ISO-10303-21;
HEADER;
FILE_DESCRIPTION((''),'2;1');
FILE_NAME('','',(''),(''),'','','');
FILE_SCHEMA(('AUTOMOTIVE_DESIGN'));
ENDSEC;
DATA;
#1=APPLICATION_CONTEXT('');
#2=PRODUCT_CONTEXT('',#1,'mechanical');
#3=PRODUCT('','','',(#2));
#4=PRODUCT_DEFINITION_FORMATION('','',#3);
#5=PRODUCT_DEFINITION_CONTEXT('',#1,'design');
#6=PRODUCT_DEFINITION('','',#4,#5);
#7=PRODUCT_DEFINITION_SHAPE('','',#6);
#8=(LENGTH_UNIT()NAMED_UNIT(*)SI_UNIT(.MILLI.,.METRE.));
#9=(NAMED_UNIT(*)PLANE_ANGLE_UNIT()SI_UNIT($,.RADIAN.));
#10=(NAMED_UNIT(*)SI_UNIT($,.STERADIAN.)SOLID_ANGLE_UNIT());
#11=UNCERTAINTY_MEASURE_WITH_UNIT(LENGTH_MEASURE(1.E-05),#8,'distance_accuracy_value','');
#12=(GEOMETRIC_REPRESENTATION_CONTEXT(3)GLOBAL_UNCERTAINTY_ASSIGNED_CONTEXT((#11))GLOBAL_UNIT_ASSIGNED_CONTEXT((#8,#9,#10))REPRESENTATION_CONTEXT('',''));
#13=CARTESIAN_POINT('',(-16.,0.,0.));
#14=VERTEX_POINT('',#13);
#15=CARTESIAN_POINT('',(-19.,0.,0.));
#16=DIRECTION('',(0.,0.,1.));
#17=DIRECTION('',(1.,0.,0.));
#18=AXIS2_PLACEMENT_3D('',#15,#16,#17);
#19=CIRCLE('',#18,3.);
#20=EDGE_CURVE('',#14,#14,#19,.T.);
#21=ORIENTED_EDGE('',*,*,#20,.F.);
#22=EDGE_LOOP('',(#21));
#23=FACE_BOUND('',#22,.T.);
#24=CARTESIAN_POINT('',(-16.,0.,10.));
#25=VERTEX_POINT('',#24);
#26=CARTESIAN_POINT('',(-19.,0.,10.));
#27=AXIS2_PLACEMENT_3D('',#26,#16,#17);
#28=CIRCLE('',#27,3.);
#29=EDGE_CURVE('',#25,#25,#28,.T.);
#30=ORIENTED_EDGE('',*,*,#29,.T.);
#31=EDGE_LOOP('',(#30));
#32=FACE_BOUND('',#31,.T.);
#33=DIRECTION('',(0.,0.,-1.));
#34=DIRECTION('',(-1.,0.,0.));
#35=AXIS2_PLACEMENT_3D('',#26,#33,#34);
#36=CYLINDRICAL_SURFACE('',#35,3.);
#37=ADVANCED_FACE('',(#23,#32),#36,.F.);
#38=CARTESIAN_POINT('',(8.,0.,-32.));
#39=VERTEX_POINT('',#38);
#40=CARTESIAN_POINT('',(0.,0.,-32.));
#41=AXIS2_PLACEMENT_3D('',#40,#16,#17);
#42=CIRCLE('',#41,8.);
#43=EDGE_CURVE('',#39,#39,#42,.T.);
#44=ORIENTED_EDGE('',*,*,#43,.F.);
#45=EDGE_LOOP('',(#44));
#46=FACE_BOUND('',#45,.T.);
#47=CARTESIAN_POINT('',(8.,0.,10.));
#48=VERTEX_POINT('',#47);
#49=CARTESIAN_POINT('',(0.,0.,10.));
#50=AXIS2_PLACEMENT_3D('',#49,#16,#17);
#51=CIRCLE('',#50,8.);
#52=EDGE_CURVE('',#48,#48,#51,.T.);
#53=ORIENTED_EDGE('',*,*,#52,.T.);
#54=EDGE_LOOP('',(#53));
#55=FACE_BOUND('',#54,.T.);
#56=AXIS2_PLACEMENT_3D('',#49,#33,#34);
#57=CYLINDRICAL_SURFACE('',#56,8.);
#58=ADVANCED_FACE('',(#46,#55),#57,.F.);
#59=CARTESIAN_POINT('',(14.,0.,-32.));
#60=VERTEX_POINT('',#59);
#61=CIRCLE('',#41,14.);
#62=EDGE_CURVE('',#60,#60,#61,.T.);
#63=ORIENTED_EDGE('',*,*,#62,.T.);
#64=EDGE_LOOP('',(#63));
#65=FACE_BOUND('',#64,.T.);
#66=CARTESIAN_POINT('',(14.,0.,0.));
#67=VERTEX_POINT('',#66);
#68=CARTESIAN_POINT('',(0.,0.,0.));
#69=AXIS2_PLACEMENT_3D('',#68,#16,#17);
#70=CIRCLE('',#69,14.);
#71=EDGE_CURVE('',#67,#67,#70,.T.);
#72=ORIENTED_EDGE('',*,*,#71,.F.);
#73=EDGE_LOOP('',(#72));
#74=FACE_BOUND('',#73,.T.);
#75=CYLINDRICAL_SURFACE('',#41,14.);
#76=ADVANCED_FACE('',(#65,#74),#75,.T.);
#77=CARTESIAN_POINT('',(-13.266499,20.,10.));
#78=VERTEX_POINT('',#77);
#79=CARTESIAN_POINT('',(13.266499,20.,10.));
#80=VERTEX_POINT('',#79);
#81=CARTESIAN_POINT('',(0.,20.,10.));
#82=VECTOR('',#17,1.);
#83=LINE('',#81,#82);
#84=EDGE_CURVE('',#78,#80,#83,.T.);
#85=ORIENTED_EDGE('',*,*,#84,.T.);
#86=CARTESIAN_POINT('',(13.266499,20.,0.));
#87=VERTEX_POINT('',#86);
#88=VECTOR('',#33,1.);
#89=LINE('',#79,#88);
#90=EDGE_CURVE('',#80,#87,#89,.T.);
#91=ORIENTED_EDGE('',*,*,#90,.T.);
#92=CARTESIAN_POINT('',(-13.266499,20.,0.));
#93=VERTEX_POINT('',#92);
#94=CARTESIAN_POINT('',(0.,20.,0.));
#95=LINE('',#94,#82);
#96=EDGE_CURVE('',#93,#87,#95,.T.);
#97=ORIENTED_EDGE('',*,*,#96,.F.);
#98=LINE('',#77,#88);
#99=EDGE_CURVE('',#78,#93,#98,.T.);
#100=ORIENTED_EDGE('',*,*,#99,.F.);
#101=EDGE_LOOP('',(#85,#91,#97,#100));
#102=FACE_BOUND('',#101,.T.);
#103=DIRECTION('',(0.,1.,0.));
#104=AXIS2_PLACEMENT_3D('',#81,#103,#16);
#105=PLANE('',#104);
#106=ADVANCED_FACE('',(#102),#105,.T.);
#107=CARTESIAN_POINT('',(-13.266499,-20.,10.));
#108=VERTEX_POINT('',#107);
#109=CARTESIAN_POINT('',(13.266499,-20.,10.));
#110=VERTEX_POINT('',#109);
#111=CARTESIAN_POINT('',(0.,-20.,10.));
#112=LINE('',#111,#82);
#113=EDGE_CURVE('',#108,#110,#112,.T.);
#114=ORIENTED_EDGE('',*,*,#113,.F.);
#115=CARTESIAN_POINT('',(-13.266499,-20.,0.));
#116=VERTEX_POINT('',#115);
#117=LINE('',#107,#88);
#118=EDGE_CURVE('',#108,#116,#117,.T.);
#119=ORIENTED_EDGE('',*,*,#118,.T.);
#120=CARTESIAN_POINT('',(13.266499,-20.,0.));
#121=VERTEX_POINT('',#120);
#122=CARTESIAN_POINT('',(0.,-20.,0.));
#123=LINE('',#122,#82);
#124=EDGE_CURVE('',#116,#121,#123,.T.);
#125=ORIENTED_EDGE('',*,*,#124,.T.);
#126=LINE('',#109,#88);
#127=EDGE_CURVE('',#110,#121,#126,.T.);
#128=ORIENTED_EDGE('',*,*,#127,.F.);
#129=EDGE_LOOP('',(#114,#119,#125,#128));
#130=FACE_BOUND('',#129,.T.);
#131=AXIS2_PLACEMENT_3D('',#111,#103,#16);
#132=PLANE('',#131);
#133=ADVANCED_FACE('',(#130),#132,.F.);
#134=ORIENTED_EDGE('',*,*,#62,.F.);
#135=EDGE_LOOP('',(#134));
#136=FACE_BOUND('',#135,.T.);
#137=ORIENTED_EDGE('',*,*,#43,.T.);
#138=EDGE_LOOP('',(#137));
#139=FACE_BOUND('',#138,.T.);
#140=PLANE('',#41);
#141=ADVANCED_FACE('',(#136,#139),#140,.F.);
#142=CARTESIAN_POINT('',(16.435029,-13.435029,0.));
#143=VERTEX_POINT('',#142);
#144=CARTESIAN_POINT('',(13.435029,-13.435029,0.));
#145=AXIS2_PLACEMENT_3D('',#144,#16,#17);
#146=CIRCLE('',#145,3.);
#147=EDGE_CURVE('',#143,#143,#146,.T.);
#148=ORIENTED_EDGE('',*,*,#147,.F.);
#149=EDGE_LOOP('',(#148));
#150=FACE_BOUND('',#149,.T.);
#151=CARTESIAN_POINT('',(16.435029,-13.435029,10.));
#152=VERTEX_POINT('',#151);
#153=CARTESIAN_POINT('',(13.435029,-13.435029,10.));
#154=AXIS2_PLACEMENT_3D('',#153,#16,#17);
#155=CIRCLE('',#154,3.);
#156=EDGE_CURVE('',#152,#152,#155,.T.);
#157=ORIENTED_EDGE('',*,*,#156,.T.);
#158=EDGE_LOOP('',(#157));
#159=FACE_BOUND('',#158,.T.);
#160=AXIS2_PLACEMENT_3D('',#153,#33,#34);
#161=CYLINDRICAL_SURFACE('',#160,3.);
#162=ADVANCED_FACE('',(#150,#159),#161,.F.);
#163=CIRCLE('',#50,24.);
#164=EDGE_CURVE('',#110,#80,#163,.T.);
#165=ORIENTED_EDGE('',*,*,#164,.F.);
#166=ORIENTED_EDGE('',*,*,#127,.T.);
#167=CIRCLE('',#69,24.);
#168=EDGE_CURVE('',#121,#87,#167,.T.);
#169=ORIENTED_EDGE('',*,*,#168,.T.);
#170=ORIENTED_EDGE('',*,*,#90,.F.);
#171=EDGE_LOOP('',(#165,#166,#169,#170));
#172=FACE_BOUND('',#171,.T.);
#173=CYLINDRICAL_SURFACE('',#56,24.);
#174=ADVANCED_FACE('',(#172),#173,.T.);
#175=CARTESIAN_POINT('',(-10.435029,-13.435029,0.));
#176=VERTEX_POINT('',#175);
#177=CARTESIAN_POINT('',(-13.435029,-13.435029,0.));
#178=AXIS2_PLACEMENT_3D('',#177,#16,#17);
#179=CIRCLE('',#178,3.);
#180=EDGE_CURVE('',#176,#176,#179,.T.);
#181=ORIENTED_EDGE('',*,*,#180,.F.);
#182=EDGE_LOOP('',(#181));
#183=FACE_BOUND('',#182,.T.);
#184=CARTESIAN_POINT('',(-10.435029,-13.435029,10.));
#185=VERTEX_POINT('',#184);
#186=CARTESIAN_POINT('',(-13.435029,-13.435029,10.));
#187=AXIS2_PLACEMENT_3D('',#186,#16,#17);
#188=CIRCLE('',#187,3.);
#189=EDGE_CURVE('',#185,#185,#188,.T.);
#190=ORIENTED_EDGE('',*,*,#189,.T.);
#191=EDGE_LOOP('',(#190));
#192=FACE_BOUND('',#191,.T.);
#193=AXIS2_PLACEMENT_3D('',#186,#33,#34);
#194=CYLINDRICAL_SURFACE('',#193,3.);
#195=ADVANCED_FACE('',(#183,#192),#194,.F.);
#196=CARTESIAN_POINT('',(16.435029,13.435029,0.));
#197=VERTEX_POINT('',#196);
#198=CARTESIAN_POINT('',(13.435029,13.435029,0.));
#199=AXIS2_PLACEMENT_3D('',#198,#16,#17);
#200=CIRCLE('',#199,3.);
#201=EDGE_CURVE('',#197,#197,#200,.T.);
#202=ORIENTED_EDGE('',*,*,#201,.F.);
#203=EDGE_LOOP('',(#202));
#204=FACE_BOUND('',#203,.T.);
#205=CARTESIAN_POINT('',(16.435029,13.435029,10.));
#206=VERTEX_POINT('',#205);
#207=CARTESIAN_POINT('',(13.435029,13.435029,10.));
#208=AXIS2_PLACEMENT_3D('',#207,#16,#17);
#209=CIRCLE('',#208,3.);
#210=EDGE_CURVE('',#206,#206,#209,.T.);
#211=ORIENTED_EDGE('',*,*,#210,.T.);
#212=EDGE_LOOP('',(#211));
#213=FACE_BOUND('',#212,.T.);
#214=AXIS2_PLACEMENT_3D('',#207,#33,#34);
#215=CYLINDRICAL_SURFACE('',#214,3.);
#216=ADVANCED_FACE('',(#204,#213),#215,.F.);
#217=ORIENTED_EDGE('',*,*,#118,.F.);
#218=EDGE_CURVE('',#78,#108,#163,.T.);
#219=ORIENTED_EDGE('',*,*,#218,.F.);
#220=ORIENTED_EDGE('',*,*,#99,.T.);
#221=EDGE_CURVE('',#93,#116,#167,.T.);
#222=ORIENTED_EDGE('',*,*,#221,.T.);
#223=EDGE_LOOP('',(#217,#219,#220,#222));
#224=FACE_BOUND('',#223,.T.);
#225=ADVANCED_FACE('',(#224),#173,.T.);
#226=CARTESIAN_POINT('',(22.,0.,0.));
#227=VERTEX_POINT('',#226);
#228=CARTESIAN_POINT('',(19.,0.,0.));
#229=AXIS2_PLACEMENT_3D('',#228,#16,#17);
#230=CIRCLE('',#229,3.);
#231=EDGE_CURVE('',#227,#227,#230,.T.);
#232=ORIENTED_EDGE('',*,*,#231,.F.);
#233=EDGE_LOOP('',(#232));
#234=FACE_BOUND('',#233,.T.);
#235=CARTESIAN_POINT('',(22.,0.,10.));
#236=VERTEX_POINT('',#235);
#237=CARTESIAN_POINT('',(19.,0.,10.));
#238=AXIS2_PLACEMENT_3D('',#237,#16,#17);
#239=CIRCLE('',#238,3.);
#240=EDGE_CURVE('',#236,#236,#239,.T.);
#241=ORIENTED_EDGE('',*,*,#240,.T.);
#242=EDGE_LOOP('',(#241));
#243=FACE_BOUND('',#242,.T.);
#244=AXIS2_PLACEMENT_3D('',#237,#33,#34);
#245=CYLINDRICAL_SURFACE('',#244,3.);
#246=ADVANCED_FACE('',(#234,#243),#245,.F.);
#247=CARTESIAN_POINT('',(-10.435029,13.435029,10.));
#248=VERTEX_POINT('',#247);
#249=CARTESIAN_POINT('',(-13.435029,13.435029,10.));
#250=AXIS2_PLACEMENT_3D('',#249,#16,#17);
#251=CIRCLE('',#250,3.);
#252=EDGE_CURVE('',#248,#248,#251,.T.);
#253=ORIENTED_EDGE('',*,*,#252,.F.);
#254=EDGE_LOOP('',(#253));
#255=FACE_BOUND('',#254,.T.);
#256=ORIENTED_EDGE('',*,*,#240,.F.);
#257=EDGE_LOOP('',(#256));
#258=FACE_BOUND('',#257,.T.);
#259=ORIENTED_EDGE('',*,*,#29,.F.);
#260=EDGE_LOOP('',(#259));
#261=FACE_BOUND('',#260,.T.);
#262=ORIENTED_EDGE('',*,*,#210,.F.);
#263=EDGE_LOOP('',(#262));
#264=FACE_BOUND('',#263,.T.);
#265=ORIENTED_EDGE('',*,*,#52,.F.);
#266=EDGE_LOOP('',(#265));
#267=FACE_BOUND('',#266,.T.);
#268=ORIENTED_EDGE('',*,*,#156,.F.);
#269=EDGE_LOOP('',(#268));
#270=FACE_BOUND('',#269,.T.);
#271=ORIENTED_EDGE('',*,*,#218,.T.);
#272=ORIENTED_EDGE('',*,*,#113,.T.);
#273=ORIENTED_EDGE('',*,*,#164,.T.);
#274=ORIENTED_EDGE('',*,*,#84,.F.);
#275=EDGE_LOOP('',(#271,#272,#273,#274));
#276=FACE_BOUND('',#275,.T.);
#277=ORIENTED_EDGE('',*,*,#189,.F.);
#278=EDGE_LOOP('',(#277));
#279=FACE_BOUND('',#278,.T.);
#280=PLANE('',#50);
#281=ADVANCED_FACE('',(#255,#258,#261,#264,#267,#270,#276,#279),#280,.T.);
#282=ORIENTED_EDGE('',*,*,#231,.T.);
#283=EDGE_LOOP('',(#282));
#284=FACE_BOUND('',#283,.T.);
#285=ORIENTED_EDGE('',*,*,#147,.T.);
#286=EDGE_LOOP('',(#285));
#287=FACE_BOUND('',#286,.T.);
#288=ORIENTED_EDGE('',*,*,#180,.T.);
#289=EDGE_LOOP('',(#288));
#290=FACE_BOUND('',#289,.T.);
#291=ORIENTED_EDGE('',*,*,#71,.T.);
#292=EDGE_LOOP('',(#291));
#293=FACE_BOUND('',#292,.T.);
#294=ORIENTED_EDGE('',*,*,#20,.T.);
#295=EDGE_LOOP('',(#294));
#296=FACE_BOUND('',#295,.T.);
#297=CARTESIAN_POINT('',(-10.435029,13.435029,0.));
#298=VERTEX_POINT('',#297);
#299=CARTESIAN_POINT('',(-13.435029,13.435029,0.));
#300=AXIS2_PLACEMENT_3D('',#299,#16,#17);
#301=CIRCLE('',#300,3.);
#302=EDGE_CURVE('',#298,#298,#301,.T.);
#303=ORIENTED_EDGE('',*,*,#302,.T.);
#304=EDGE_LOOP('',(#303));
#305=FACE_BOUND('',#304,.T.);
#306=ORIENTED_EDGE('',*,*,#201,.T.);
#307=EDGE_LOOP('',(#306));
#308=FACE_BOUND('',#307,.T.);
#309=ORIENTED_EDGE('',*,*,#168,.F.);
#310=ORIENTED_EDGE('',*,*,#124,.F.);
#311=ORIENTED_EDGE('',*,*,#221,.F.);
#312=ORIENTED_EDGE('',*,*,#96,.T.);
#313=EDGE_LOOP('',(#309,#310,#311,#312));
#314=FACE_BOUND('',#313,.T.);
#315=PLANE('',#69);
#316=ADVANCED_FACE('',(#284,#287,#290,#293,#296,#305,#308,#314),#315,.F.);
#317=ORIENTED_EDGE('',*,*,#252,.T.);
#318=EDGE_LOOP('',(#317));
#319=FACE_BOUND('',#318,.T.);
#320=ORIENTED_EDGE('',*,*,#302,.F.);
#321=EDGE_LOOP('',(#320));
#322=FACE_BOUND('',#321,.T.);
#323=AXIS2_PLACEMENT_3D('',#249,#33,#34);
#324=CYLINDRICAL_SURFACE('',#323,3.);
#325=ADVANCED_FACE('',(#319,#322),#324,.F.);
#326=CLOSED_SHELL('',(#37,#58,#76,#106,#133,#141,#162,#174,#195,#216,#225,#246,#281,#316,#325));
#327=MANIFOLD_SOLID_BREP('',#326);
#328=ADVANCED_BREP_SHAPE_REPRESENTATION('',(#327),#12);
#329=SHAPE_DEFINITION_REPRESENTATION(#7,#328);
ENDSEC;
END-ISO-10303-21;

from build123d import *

# Parameters (mm, degrees)
SKETCH1_R           = 3
SKETCH1_R_2         = 14
SKETCH1_R_3         = 8
BOSS_EXTRUDE1_DEPTH = 10
BOSS_EXTRUDE2_START = -32
SKETCH1_3_R         = 14
SKETCH1_3_R_2       = 8
BOSS_EXTRUDE2_DEPTH = 32


with BuildPart() as part:
    # Sketch1 → Boss-Extrude1 (new body)
    # profile 1 of 2: a face of its own
    with BuildSketch(Plane.XY):
        with BuildLine():
            Line((-13.266499161, 20), (13.266499161, 20))
            ThreePointArc((13.266499161, 20), (24, 0), (13.266499161, -20))
            Line((13.266499161, -20), (-13.266499161, -20))
            ThreePointArc((-13.266499161, -20), (-24, 0), (-13.266499161, 20))
        make_face()
        with Locations((13.435028843, 13.435028843)):
            Circle(SKETCH1_R, mode=Mode.SUBTRACT)
        with Locations((-13.435028843, 13.435028843)):
            Circle(SKETCH1_R, mode=Mode.SUBTRACT)
        with Locations((-19, 0)):
            Circle(SKETCH1_R, mode=Mode.SUBTRACT)
        with Locations((-13.435028843, -13.435028843)):
            Circle(SKETCH1_R, mode=Mode.SUBTRACT)
        with Locations((13.435028843, -13.435028843)):
            Circle(SKETCH1_R, mode=Mode.SUBTRACT)
        with Locations((19, 0)):
            Circle(SKETCH1_R, mode=Mode.SUBTRACT)
        Circle(SKETCH1_R_2, mode=Mode.SUBTRACT)
    # profile 2 of 2: a face of its own
    with BuildSketch(Plane.XY):
        Circle(SKETCH1_R_2)
        Circle(SKETCH1_R_3, mode=Mode.SUBTRACT)
    extrude(amount=BOSS_EXTRUDE1_DEPTH)

    # Sketch1<3> → Boss-Extrude2 (add)
    with BuildSketch(Plane.XY.offset(BOSS_EXTRUDE2_START)):
        Circle(SKETCH1_3_R)
        Circle(SKETCH1_3_R_2, mode=Mode.SUBTRACT)
    extrude(amount=BOSS_EXTRUDE2_DEPTH)


solid = part.part
